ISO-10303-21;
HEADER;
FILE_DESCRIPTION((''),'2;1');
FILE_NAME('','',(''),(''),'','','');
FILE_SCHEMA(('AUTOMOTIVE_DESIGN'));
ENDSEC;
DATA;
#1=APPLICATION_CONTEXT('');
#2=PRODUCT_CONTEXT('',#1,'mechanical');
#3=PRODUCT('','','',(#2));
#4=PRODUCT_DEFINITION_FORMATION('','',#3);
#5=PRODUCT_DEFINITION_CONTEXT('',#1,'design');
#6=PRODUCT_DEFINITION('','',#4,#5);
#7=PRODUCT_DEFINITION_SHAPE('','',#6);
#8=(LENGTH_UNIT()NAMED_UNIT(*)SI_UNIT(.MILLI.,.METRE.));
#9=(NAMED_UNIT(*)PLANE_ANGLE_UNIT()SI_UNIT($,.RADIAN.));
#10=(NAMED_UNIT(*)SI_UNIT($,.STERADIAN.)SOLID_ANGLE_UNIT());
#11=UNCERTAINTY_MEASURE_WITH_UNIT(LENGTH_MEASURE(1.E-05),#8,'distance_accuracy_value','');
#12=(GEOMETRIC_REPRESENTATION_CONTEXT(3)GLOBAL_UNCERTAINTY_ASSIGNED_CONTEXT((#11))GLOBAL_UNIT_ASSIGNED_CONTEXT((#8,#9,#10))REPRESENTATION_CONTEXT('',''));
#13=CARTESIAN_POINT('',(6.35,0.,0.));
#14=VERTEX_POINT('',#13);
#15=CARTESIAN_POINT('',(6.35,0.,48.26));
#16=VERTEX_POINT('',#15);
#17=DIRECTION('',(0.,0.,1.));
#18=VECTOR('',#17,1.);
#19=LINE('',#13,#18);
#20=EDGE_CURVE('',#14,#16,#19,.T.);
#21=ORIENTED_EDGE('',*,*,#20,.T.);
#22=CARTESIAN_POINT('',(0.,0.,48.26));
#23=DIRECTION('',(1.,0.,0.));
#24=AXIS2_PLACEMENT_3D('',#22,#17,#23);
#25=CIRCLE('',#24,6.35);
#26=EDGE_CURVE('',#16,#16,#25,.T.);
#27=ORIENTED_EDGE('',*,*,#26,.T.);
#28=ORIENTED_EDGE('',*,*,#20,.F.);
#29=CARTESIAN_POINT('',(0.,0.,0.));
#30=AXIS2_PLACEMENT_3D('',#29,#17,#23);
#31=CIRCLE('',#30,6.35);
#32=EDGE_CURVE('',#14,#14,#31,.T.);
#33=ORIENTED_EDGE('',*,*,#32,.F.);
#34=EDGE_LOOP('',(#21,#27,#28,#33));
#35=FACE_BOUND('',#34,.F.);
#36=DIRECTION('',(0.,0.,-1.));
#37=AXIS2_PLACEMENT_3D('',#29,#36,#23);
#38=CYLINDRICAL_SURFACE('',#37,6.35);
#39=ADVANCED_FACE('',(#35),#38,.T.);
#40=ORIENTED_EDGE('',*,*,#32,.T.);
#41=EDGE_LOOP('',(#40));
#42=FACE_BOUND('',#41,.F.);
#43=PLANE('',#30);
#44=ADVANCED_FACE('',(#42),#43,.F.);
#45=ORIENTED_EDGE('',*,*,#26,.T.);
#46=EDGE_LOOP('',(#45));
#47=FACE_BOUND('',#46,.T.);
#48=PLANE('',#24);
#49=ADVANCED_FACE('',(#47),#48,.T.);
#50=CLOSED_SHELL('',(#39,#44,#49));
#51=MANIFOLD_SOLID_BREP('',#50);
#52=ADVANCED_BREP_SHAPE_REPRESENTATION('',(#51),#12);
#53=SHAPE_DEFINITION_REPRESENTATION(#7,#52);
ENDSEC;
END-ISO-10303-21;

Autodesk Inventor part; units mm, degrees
ref_plane "YZ Plane" through (0, 0, 0) normal (1, 0, 0) x (0, 1, 0)
ref_plane "XZ Plane" through (0, 0, 0) normal (0, 1, 0) x (-1, 0, 0)
ref_plane "XY Plane" through (0, 0, 0) normal (0, 0, 1) x (1, 0, 0)
sketch "Sketch1" plane through (0, 0, 0) normal (0, 0, 1) x (1, 0, 0)
  circle A0 centre (0, 0) radius 6.35
  dimension "d0" = 12.7
extrude "Extrusion1" add sketch "Sketch1" along normal blind 48.26
properties part number "Battery" material "Stainless Steel"
